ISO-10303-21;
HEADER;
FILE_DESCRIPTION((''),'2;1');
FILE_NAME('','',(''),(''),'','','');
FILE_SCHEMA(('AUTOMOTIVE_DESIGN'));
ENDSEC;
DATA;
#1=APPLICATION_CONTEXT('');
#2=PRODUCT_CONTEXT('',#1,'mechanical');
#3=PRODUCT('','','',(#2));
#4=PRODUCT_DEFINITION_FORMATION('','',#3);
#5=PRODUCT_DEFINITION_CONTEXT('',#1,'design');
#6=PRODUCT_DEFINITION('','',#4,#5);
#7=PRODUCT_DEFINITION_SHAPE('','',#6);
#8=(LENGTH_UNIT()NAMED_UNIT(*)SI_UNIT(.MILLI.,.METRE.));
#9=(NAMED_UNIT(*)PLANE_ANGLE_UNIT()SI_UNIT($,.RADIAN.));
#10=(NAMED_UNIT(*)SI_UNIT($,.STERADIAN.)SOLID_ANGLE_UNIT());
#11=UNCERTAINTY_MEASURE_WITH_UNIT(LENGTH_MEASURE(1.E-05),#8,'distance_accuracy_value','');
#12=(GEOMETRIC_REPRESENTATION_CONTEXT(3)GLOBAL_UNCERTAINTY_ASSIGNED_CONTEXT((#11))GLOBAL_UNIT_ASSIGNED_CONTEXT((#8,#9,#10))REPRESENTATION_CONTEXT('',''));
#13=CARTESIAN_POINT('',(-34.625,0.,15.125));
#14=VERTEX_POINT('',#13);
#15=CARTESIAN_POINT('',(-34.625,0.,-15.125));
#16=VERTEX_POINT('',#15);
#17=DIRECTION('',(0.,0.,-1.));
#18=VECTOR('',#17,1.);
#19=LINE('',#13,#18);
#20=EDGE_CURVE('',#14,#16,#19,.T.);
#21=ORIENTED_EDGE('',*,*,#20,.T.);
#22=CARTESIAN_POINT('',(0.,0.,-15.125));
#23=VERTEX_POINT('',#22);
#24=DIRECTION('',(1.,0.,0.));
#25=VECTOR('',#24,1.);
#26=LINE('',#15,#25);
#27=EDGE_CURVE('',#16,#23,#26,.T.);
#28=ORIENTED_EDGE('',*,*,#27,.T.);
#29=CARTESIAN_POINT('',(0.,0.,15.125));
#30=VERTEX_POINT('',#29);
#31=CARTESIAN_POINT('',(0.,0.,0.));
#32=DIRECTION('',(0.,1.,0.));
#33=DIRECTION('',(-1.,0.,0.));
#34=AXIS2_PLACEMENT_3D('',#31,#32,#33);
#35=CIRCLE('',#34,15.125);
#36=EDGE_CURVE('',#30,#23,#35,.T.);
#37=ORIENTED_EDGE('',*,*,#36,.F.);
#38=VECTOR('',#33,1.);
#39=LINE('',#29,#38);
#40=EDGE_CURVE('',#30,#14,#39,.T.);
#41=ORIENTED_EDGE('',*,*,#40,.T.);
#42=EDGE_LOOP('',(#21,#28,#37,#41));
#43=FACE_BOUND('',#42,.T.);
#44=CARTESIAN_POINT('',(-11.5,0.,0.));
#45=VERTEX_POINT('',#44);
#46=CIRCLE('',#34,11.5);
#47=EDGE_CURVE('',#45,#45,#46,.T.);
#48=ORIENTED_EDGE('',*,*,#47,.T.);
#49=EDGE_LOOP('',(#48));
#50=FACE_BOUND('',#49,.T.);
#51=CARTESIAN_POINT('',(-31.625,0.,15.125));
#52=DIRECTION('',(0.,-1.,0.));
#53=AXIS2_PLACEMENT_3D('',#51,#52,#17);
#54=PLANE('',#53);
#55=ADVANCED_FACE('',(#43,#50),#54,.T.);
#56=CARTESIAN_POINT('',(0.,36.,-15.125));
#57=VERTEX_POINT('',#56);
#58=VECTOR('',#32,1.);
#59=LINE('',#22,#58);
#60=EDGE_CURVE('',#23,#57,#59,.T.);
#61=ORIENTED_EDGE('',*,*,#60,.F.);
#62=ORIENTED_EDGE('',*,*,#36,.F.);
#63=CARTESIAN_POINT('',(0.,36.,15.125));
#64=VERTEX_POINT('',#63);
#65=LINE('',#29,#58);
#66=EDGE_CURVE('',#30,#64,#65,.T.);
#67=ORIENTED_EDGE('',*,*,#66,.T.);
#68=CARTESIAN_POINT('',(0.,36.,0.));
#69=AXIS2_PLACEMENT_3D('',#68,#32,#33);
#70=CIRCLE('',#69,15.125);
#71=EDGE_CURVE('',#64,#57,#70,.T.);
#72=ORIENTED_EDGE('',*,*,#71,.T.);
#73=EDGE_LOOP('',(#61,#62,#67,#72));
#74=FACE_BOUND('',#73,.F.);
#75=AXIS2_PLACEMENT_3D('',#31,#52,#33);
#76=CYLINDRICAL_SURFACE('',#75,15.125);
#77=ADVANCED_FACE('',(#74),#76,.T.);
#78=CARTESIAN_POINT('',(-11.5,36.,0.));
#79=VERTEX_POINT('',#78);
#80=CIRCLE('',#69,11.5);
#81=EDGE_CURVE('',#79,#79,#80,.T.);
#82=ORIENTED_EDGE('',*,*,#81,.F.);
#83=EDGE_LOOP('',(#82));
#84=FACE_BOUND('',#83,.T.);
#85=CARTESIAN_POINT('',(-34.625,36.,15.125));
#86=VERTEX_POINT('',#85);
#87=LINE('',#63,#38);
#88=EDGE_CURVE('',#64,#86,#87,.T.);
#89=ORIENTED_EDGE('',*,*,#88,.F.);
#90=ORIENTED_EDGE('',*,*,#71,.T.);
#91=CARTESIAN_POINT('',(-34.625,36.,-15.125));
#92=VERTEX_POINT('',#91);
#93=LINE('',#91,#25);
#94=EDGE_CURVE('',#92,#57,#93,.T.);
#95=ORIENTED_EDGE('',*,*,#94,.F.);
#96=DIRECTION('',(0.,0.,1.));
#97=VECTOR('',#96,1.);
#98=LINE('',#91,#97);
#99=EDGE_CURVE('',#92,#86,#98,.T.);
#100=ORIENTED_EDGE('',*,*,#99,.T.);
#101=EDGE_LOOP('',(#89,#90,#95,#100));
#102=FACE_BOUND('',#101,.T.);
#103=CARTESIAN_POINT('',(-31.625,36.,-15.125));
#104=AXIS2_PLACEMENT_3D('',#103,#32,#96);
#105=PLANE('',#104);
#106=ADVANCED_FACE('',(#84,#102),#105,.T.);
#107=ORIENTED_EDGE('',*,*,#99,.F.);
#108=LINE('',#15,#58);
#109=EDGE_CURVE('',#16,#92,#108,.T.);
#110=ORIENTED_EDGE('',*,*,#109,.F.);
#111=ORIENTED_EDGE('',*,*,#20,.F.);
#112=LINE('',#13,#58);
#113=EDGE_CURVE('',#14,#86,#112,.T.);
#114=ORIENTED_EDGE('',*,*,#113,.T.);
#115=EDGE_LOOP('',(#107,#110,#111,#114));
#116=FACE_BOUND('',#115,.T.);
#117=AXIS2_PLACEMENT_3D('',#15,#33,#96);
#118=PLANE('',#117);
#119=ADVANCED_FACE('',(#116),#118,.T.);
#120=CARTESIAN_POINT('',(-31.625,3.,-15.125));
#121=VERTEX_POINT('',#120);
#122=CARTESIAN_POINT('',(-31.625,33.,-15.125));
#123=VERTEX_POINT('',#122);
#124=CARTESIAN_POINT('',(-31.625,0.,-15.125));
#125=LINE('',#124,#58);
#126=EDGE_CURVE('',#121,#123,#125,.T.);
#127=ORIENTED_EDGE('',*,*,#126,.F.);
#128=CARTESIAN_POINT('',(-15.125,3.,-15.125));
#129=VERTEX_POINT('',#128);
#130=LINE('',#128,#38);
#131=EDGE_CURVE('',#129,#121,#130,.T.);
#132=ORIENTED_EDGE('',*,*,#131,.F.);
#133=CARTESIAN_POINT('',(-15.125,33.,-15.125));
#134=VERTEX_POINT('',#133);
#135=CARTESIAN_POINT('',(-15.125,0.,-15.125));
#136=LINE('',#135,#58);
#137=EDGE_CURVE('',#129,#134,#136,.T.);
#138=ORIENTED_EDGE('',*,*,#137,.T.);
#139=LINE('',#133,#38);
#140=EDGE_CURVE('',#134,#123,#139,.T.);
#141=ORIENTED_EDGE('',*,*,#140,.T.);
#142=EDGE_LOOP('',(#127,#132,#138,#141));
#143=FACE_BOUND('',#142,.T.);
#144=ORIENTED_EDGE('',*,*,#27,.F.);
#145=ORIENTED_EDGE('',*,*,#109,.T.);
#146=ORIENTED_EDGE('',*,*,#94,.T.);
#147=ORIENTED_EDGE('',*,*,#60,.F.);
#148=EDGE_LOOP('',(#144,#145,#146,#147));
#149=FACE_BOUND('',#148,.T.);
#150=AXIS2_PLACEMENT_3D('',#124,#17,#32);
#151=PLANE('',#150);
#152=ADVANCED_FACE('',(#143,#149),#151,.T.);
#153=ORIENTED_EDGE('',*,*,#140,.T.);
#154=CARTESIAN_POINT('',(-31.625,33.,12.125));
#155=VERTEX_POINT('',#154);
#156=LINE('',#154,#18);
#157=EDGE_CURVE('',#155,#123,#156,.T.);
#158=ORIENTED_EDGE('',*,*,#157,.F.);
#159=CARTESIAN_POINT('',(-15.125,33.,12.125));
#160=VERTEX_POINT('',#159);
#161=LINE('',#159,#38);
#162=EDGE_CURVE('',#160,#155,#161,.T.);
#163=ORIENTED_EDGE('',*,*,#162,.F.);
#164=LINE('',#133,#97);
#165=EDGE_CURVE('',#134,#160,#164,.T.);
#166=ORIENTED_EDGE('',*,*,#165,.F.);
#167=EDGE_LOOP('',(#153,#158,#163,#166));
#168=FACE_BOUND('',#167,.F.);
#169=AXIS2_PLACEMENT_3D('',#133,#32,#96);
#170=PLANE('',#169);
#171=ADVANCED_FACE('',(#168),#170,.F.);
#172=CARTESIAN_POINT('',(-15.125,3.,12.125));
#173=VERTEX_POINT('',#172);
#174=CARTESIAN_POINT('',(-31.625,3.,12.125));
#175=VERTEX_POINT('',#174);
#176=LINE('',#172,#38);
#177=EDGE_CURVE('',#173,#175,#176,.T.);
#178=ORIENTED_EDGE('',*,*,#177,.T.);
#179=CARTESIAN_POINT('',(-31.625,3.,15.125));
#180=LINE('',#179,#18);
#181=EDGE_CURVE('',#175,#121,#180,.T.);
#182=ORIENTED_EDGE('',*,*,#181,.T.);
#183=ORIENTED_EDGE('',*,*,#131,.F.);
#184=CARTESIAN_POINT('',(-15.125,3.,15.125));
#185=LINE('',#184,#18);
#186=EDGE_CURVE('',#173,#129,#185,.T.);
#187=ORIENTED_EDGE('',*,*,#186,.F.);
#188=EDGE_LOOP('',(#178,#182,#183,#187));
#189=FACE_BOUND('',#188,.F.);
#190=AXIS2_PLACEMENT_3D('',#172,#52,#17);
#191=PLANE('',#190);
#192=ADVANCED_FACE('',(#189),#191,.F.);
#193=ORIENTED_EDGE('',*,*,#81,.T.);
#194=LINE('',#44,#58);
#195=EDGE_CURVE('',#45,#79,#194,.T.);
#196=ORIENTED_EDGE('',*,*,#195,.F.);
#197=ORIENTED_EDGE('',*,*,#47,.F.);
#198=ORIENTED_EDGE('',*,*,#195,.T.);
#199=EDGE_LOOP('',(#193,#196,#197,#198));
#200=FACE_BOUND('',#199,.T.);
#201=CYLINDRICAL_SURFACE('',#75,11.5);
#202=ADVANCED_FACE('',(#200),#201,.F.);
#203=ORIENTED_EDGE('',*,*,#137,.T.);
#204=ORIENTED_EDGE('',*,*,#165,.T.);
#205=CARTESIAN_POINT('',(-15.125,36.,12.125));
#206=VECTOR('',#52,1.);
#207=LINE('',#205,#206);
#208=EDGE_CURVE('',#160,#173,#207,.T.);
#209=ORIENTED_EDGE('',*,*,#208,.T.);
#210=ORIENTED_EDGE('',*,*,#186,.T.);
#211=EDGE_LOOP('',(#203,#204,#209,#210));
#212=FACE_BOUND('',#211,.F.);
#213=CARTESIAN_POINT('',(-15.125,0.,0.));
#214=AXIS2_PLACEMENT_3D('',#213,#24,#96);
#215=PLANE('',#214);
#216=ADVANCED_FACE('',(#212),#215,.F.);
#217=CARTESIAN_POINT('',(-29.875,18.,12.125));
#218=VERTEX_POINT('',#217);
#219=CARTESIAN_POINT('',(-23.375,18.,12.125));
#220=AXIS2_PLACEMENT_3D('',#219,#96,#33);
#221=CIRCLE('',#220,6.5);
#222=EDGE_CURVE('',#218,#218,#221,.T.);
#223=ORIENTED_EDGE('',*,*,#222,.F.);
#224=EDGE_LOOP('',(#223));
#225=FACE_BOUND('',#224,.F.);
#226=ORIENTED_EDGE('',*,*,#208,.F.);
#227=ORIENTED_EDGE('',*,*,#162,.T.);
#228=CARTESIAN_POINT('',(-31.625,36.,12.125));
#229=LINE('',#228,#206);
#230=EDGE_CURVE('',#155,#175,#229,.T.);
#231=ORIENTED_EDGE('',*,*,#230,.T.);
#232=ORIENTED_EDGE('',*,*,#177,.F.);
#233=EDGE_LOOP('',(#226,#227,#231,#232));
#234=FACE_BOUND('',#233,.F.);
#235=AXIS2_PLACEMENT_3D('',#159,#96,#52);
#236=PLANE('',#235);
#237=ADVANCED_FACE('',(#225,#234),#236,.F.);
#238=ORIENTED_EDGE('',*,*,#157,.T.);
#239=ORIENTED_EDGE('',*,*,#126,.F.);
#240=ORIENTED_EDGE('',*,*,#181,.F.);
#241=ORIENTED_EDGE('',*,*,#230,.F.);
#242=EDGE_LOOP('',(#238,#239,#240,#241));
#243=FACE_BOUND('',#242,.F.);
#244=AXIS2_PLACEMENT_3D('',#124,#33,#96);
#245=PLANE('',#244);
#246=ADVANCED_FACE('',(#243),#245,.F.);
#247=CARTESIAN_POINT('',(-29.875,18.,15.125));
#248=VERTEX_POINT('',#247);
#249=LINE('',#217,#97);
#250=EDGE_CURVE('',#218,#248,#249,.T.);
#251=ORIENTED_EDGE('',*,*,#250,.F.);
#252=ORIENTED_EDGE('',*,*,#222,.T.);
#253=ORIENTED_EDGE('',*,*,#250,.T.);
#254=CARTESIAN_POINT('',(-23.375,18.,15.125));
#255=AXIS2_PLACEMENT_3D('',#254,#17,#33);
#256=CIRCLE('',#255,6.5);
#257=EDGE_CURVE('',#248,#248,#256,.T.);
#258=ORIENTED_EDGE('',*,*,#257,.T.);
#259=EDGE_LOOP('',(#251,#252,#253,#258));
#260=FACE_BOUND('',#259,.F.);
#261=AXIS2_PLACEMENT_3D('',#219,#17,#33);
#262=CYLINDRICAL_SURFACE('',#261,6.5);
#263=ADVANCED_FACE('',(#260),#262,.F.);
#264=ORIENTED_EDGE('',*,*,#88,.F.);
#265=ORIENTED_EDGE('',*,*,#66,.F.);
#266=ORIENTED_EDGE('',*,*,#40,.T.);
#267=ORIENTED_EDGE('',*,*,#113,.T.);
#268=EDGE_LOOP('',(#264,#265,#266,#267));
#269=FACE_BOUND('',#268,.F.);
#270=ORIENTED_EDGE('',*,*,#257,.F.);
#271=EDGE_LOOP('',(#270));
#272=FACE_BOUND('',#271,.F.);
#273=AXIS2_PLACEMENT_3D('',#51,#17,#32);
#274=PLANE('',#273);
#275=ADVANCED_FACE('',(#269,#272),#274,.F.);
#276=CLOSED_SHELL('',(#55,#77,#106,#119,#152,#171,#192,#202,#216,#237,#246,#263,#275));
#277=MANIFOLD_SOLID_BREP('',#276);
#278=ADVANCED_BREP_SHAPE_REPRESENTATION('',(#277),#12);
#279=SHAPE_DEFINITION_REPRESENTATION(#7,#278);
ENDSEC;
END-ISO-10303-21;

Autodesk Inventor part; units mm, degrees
ref_plane "YZ Plane" through (0, 0, 0) normal (1, 0, 0) x (0, 1, 0)
ref_plane "XZ Plane" through (0, 0, 0) normal (0, 1, 0) x (-1, 0, 0)
ref_plane "XY Plane" through (0, 0, 0) normal (0, 0, 1) x (1, 0, 0)
sketch "Sketch1" plane through (0, 0, 0) normal (0, 1, 0) x (-1, 0, 0)
  circle A0 centre (0, 0) radius 11.5
  circle A1 centre (0, 0) radius 15.125
  line L0 (0, 15.125) -> (15.125, 15.125)
  line L1 (0, -15.125) -> (15.125, -15.125)
  line L2 (15.125, 0) -> (15.125, 15.125)
  line L3 (15.125, 0) -> (15.125, -15.125)
  dimension "d0" = 23
  dimension "d1" = 30.25
extrude "Extrusion1" add sketch "Sketch1" along normal blind 36
sketch "Sketch2" plane through (-15.125, 0, -15.125) normal (-1, 0, 0) x (0, 0, 1)
  line L0 (0.2295, 33) -> (30.25, 33)
  line L1 (30.25, 0) -> (30.25, 36) projected
  line L2 (30.25, 3) -> (0, 3)
  line L3 (0, 0) -> (0, 36) projected
  line L4 (0, 0) -> (30.25, 0) projected
  line L5 (0, 36) -> (30.25, 36) projected
  line L6 (27.25, 36) -> (27.25, 0)
  line L7 (0, 33) -> (0.2295, 33)
  point P0 (15.125, 0)
  point P1 (15.125, 3)
  point P2 (15.125, 0)
  point P3 (15.125, 36)
  point P4 (15.2397, 33)
  point P5 (27.25, 33)
  point P6 (27.25, 3)
  dimension "d4" = 3
  dimension "d5" = 3
  dimension "d6" = 3
extrude "Extrusion2" add sketch "Sketch2" along normal blind 16.5 contours L7 L3 L5 L6 L0 | L6 L5 L1 L0 | L0 L1 L2 L6 | L6 L4 L3 L2 | L2 L1 L4 L6
sketch "Sketch3" plane through (-31.625, 0, -15.125) normal (-1, 0, 0) x (0, 0, 1)
  line L0 (30.25, 0) -> (30.25, 36) projected
  line L1 (0, 36) -> (30.25, 36)
  line L2 (30.25, 36) -> (30.25, 0)
  line L3 (30.25, 0) -> (0, 0)
  line L4 (0, 0) -> (0, 36)
  point P0 (15.125, 0)
extrude "Extrusion3" add sketch "Sketch3" along normal blind 3
sketch "Sketch4" plane through (-15.125, 3, 12.125) normal (0, 0, -1) x (-1, 0, 0)
  line L0 (16.5, 30) -> (16.5, 0) projected
  line L1 (0, 30) -> (16.5, 30)
  line L2 (16.5, 30) -> (16.5, 0)
  line L3 (16.5, 0) -> (0, 0)
  line L4 (0, 0) -> (0, 30)
  line L5 (0, 30) -> (16.5, 0)
  line L6 (0, 0) -> (16.5, 30)
  circle A0 centre (8.25, 15) radius 6.5
  point P0 (-15.125, -3)
  dimension "d11" = 13
extrude "Extrusion4" cut sketch "Sketch4" against normal blind 3 contours A0 L5 L6 | L6 L5 A0 | A0 L6 L5 | L5 L6 A0
properties part number "schimbator_support"
